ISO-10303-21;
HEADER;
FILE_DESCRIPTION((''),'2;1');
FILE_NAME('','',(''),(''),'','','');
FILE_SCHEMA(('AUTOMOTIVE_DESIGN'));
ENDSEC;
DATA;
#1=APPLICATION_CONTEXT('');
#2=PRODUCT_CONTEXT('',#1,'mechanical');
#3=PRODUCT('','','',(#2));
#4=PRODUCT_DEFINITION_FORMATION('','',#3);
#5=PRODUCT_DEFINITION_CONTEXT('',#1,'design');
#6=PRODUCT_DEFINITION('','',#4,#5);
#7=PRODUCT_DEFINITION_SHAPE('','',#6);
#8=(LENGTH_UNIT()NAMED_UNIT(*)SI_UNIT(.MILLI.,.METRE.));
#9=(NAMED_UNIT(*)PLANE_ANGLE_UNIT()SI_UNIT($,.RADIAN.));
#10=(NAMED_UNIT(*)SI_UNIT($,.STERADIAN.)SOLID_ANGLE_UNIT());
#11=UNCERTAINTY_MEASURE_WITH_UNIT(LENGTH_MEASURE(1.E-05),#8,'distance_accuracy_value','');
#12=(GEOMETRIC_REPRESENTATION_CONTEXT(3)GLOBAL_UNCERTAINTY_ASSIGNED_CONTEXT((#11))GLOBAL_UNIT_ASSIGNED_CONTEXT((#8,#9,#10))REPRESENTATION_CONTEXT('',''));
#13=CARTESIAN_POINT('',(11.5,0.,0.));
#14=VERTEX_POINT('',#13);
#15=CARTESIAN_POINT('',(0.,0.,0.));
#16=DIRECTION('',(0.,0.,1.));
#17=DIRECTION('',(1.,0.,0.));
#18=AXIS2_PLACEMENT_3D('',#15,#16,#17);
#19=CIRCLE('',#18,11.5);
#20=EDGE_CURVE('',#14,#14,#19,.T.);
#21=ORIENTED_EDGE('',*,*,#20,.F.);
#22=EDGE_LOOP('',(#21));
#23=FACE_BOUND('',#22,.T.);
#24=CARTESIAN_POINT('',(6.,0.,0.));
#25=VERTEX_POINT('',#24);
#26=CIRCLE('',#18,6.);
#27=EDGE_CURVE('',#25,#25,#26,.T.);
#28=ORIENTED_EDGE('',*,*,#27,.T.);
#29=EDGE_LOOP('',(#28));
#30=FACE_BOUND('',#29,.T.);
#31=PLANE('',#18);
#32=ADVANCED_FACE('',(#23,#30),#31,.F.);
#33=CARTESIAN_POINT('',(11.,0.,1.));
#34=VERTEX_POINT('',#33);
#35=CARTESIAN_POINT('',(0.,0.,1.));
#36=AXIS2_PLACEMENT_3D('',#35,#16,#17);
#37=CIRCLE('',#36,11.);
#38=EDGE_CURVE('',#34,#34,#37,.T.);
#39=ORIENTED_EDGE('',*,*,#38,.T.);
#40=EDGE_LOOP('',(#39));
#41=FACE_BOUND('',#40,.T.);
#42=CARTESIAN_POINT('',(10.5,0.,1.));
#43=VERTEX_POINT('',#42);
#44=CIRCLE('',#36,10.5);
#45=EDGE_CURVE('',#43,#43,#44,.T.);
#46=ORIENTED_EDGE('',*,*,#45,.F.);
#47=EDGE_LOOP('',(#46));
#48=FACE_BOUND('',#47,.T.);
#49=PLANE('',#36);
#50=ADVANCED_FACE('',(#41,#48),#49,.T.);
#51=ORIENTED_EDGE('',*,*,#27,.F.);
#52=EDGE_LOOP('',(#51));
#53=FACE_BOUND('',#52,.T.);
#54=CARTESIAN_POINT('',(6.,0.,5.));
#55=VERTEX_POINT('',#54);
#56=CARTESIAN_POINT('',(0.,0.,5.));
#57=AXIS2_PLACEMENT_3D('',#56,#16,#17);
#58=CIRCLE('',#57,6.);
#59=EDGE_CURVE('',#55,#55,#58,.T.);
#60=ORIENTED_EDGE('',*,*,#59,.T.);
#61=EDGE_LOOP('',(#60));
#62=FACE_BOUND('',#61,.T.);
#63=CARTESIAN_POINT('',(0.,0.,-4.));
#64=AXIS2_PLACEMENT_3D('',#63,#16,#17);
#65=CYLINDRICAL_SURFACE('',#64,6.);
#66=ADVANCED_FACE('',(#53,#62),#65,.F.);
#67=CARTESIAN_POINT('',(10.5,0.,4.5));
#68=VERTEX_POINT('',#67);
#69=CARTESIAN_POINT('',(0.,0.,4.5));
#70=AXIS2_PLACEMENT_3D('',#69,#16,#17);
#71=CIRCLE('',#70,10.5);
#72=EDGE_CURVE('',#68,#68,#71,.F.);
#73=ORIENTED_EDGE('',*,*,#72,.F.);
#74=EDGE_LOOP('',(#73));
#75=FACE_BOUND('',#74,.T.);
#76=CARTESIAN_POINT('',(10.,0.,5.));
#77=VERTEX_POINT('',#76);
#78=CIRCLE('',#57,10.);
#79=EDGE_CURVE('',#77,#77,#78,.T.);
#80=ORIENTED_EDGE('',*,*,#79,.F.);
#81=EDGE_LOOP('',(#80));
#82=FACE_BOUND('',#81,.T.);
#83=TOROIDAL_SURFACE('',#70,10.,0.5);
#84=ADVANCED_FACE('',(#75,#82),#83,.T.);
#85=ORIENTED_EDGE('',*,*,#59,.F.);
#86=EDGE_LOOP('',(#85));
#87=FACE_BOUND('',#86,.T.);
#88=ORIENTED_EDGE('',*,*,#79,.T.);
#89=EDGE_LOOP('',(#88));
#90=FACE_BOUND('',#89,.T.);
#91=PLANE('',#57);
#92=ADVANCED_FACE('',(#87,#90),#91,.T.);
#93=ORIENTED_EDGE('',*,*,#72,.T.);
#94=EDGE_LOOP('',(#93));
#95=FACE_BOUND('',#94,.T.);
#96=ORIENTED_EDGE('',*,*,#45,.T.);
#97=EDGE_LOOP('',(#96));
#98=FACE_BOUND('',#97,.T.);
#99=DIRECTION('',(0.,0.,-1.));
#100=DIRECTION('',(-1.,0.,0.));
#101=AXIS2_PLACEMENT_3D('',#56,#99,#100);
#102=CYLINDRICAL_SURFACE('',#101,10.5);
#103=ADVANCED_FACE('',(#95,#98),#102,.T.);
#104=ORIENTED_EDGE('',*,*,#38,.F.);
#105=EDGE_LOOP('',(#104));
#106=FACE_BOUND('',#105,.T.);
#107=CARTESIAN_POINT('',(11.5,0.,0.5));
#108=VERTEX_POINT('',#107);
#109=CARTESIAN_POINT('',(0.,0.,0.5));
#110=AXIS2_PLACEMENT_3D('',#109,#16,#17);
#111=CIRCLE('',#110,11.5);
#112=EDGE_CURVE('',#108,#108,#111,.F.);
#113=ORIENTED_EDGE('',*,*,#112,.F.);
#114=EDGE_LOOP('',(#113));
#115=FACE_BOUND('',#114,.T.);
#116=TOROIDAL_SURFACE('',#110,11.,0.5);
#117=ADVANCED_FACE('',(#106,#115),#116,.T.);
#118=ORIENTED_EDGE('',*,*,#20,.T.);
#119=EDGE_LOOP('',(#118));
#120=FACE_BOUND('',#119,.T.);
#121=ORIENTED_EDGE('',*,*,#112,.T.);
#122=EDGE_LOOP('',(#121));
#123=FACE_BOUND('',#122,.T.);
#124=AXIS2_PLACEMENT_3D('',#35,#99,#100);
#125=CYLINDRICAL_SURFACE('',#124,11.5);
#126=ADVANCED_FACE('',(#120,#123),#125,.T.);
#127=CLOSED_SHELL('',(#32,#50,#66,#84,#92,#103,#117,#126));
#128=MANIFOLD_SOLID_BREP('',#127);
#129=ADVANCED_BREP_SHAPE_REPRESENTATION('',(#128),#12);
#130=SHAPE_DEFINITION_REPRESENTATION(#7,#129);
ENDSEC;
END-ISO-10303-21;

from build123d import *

# Parameters (mm, degrees)
SKETCH_1_R          = 11.5
EXTRUDE_1_DEPTH     = 1
SKETCH_2_R          = 10.5
EXTRUDE_2_DEPTH     = 4
SKETCH_3_R          = 6
CUT_EXTRUDE_1_DEPTH = 9
FILLET_1_R          = 0.5


with BuildPart() as part:
    # ｽｹｯﾁ1 → ﾎﾞｽ - 押し出し1 (new body)
    with BuildSketch(Plane.XY):
        Circle(SKETCH_1_R)
    extrude(amount=EXTRUDE_1_DEPTH)

    # ｽｹｯﾁ2 → ﾎﾞｽ - 押し出し2 (add)
    with BuildSketch(Plane.XY.offset(1)):
        Circle(SKETCH_2_R)
    extrude(amount=EXTRUDE_2_DEPTH)

    # ｽｹｯﾁ3 → ｶｯﾄ - 押し出し1 (cut)
    with BuildSketch(Plane.XY.offset(5)):
        Circle(SKETCH_3_R)
    extrude(amount=-CUT_EXTRUDE_1_DEPTH, mode=Mode.SUBTRACT)

    # ﾌｨﾚｯﾄ1
    fillet_1_edges = [part.edges().sort_by_distance(p)[0] for p in [
        (-11.5, 0, 1),
        (-10.5, 0, 5),
    ]]
    fillet(fillet_1_edges, radius=FILLET_1_R)


solid = part.part
